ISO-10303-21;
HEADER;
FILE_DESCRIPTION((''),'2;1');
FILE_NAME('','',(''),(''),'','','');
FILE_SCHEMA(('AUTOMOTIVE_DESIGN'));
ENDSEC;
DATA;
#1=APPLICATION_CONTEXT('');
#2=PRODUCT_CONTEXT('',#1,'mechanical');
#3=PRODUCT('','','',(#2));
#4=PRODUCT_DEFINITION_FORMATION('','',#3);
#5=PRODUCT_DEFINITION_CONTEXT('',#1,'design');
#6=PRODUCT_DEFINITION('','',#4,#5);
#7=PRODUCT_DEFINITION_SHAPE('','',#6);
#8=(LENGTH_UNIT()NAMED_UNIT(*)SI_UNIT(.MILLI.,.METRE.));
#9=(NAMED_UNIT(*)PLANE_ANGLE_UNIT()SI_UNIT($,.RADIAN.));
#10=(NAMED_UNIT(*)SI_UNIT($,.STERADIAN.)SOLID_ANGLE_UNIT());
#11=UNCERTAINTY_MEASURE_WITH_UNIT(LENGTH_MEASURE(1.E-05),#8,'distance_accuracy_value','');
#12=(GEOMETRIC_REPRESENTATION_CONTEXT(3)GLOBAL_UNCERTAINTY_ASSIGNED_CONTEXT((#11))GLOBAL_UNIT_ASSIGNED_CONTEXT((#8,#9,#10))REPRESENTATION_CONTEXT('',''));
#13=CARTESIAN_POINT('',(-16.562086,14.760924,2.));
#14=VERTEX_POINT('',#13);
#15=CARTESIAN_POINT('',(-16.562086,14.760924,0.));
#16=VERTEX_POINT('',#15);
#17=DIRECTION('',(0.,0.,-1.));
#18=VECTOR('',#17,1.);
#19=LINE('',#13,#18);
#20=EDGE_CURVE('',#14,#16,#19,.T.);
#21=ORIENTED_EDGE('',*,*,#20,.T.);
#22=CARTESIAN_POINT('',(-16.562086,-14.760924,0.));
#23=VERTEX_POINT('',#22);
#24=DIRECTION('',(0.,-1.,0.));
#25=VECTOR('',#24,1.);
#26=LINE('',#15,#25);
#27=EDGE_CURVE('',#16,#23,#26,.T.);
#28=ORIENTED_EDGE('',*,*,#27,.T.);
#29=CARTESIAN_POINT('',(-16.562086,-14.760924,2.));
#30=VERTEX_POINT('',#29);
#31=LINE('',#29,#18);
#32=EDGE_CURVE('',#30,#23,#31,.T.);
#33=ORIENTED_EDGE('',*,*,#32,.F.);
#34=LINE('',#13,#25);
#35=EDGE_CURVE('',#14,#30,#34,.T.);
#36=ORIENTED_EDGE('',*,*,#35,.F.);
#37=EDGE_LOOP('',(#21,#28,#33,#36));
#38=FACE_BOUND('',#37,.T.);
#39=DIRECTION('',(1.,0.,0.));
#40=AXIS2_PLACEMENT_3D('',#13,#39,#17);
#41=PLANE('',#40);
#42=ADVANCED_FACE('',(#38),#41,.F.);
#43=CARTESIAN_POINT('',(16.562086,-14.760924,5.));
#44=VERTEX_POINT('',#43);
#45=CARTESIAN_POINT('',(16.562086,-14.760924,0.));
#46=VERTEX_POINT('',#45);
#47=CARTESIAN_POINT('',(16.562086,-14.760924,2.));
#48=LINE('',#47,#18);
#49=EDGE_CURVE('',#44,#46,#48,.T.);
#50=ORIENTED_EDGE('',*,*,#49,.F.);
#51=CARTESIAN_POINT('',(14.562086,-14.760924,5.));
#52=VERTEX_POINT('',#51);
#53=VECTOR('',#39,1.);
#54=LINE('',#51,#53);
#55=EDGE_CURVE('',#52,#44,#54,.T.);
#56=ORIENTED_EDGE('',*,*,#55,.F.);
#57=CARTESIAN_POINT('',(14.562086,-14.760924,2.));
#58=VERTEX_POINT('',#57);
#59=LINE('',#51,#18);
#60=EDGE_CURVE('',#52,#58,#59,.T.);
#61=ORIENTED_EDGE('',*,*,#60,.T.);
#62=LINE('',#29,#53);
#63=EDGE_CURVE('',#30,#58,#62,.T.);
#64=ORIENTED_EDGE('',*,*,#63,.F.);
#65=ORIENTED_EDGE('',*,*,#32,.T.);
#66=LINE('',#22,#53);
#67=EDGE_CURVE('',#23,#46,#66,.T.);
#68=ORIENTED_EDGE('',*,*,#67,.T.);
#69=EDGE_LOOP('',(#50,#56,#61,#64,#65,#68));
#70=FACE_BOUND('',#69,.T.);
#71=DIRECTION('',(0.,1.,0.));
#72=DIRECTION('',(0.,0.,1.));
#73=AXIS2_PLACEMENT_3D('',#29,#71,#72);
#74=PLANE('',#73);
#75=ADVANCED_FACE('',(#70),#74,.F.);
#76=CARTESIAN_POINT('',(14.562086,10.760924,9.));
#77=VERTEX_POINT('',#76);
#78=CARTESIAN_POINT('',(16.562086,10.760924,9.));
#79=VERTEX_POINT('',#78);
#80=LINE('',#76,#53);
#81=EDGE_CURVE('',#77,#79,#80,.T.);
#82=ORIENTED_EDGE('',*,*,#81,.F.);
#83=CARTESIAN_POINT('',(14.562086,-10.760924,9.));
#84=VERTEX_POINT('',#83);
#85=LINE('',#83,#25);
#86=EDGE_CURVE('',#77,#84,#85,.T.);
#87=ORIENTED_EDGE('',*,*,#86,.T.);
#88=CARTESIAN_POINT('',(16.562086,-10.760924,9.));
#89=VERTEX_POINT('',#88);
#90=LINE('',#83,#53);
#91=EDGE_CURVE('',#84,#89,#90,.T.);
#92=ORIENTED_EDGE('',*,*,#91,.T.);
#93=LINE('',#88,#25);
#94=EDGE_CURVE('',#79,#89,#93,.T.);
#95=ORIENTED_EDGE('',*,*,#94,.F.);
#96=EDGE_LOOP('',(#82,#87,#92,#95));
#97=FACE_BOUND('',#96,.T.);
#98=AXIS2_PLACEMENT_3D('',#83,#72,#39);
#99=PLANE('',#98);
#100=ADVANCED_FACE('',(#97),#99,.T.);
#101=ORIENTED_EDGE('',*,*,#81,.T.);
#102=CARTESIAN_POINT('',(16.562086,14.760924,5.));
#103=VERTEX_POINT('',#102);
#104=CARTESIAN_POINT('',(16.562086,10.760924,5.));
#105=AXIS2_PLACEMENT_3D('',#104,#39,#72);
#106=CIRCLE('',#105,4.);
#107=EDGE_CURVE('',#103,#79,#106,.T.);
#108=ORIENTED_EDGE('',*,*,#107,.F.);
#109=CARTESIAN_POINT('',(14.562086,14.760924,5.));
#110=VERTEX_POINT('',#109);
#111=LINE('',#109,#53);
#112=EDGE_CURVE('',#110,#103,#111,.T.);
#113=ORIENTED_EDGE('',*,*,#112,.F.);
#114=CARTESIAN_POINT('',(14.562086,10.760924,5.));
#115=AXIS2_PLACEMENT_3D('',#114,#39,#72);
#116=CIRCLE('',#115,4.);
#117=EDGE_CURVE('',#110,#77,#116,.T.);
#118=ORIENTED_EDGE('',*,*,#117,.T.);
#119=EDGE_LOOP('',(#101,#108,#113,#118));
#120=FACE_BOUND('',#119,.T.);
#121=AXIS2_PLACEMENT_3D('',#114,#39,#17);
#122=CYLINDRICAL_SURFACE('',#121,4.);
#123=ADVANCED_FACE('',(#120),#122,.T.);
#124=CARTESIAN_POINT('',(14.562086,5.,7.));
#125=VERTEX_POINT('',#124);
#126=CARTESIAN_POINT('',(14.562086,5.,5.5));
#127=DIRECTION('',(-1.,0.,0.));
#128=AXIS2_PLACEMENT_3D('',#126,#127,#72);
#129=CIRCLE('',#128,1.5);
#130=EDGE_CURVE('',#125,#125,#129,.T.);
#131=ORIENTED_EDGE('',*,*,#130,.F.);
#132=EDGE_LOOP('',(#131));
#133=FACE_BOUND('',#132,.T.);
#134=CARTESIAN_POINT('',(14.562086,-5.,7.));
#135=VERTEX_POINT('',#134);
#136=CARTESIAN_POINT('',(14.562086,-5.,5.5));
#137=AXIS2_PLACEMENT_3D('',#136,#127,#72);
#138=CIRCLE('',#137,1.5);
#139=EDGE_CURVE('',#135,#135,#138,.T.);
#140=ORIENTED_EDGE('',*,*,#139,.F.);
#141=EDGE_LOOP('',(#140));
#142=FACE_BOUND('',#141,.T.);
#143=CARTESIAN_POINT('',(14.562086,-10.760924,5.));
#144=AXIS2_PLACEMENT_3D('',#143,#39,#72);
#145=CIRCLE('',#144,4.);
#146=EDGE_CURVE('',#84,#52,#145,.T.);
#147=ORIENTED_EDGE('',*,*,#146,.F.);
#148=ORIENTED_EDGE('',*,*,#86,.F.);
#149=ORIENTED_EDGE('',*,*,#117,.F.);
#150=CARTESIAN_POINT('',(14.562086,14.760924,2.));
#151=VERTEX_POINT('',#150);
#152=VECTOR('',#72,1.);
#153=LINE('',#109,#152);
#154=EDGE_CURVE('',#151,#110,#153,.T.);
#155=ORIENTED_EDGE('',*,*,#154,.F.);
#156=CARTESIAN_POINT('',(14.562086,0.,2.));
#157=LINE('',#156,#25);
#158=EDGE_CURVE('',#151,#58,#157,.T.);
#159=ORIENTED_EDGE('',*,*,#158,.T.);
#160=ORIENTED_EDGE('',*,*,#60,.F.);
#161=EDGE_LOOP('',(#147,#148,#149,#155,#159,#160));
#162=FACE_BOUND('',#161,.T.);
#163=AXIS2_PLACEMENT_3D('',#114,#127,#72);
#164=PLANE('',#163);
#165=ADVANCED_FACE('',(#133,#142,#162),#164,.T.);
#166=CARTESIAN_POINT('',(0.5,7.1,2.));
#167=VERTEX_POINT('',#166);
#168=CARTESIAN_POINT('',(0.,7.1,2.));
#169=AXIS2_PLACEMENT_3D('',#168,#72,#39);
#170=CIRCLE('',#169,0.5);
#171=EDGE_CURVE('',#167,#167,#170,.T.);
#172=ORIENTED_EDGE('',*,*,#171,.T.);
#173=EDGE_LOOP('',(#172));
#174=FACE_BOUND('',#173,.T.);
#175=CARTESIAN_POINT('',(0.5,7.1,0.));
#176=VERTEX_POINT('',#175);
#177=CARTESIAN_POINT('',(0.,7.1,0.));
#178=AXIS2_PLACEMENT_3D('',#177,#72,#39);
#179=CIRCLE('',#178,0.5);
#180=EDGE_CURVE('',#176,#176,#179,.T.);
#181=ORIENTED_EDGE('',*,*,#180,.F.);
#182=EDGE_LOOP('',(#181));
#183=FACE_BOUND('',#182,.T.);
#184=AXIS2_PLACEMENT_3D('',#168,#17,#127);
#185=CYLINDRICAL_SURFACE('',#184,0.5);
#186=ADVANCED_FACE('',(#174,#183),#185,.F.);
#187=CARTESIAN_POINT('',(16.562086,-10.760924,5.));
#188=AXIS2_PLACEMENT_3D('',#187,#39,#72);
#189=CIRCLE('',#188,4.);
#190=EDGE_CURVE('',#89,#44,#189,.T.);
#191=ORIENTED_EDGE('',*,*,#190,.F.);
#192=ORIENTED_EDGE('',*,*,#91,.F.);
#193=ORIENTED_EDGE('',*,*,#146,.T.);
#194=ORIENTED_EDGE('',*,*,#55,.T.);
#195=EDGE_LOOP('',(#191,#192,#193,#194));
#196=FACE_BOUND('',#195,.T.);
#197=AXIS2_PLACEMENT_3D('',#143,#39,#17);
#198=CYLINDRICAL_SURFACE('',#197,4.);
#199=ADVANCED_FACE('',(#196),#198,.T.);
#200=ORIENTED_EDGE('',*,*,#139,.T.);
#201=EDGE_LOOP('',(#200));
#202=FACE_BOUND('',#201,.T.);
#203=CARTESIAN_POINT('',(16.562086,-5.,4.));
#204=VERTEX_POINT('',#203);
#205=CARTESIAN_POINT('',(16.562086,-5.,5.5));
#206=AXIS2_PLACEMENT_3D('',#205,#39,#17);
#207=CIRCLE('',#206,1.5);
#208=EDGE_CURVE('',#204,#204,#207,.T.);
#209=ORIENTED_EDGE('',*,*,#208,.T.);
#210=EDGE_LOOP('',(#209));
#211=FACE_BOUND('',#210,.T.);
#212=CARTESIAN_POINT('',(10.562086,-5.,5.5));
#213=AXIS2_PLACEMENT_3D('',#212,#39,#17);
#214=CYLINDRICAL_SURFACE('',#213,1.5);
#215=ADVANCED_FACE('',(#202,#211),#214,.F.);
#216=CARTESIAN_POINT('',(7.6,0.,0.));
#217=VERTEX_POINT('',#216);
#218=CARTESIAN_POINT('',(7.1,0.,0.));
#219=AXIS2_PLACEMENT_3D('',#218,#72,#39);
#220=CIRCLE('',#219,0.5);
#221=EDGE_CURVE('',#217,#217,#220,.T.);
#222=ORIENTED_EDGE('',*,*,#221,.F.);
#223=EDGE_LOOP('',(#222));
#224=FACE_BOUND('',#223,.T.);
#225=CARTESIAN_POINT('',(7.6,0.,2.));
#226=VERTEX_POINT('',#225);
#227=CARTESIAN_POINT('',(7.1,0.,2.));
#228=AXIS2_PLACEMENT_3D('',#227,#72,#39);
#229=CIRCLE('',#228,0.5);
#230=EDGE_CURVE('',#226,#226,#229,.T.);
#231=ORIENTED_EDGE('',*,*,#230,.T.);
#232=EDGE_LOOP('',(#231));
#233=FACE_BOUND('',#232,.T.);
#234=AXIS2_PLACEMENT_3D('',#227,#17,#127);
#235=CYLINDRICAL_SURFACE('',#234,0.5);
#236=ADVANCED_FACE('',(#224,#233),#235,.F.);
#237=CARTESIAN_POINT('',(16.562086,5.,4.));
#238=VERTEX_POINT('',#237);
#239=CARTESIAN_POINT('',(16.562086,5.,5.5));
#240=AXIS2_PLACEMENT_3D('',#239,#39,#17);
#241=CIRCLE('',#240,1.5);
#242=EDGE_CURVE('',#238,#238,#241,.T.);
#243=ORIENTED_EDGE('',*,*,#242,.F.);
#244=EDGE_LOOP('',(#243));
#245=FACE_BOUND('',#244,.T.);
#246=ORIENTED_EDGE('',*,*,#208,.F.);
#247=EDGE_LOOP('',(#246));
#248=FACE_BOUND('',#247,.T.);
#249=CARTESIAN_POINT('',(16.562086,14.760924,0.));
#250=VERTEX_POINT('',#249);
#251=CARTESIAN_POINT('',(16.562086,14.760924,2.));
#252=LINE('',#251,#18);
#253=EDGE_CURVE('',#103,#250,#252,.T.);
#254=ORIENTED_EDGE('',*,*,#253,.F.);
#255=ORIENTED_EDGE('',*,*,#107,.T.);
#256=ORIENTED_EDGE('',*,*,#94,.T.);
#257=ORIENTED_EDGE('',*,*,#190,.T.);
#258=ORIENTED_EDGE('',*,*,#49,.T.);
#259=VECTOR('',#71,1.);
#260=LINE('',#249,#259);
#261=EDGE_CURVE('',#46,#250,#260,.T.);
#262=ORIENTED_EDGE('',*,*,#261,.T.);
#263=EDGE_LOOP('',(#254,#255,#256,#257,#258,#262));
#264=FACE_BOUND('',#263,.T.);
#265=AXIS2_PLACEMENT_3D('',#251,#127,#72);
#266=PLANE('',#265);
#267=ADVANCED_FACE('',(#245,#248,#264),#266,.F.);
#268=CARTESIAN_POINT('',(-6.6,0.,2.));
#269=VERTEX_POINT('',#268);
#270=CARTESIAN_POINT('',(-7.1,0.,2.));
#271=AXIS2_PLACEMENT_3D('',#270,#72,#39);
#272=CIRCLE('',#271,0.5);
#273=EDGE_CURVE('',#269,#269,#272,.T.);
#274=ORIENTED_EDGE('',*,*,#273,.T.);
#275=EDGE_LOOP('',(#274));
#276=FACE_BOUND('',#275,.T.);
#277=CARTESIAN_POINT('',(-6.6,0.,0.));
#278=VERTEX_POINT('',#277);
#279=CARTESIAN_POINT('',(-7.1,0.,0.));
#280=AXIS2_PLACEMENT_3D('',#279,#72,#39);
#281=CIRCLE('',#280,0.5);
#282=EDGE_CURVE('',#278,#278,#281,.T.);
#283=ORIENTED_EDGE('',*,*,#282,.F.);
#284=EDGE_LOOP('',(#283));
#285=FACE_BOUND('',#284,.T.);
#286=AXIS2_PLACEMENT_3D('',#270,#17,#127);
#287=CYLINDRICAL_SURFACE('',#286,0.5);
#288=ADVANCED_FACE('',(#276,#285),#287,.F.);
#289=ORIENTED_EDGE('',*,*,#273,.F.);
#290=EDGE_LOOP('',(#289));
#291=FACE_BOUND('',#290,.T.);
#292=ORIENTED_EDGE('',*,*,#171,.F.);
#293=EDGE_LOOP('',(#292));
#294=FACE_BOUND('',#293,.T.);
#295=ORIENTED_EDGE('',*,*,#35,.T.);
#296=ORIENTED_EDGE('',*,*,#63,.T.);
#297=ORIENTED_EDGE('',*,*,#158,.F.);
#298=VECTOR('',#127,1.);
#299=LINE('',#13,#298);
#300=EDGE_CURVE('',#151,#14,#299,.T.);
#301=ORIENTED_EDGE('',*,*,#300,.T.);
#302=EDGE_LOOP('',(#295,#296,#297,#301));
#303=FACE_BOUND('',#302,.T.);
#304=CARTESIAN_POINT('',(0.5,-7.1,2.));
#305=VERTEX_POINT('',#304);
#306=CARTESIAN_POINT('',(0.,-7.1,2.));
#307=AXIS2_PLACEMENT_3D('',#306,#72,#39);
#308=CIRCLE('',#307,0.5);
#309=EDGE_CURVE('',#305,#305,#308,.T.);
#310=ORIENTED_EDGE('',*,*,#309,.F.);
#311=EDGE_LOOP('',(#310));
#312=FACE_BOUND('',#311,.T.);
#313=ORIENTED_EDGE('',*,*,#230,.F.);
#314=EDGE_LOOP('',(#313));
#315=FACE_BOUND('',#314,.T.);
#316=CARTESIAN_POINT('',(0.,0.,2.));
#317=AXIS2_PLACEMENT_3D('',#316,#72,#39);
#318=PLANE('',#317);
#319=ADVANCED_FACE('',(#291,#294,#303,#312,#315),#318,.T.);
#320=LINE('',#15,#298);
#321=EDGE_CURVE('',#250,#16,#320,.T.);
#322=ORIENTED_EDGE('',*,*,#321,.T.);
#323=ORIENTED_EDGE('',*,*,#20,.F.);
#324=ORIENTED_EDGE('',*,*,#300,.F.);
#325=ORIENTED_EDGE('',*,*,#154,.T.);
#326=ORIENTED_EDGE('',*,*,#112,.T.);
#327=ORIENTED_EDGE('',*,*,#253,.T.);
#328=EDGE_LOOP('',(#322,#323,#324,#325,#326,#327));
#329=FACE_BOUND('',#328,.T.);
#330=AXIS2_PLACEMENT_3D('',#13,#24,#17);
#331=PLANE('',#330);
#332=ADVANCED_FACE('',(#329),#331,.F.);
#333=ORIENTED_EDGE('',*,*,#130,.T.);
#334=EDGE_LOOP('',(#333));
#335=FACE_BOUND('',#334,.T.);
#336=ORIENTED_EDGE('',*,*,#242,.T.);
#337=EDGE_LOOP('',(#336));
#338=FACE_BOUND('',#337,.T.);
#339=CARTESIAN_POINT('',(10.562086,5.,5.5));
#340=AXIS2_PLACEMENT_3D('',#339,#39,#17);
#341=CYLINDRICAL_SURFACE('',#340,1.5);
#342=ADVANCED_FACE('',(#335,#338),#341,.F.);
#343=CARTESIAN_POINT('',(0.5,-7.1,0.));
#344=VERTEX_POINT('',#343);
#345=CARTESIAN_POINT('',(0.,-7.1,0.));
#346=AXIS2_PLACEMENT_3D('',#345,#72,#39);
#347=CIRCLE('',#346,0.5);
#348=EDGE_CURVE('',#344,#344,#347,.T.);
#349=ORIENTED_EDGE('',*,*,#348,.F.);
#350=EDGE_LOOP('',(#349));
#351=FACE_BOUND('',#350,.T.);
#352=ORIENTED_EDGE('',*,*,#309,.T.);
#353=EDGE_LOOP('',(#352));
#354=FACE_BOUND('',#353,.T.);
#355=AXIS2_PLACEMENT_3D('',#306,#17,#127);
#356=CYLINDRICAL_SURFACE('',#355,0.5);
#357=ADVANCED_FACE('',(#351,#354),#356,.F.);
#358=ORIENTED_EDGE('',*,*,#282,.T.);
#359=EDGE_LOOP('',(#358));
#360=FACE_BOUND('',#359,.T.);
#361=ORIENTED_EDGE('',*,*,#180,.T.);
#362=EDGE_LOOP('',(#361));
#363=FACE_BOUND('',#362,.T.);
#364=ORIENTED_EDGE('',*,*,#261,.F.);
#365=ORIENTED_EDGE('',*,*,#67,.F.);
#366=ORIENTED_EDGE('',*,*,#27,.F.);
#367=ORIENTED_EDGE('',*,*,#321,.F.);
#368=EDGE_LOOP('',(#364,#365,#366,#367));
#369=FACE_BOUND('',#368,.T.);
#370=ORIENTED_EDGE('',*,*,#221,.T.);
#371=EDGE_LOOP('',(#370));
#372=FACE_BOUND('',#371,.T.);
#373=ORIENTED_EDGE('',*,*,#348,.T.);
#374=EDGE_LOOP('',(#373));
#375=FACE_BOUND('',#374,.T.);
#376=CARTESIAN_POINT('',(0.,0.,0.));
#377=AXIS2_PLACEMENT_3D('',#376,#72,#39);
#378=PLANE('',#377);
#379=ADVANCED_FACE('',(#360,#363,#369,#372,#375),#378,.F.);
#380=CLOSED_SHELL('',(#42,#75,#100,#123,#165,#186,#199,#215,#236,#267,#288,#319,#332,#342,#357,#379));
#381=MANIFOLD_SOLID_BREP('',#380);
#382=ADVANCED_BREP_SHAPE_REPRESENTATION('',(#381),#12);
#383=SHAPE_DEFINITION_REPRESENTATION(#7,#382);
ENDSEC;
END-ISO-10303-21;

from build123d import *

# Parameters (mm, degrees)
SKETCH_1_W          = 33.124171168
SKETCH_1_H          = 29.521848668
SKETCH_1_R          = 0.5
EXTRUDE_1_DEPTH     = 2
EXTRUDE_2_DEPTH     = 2
CUT_EXTRUDE_1_DEPTH = 6


with BuildPart() as part:
    # 草图1 → 凸台-拉伸1 (new body)
    with BuildSketch(Plane.XY):
        Rectangle(SKETCH_1_W, SKETCH_1_H)
        with Locations((0, 7.1)):
            Circle(SKETCH_1_R, mode=Mode.SUBTRACT)
        with Locations((7.1, 0)):
            Circle(SKETCH_1_R, mode=Mode.SUBTRACT)
        with Locations((0, -7.1)):
            Circle(SKETCH_1_R, mode=Mode.SUBTRACT)
        with Locations((-7.1, 0)):
            Circle(SKETCH_1_R, mode=Mode.SUBTRACT)
    extrude(amount=EXTRUDE_1_DEPTH)

    # 草图2 → 凸台-拉伸2 (add)
    with BuildSketch(Plane(origin=(16.562085584, 0, 0), x_dir=(0, 0, -1), z_dir=(1, 0, 0))):
        with BuildLine():
            Line((-5, -14.760924334), (0, -14.760924334))
            Line((0, -14.760924334), (0, 14.760924334))
            Line((0, 14.760924334), (-5, 14.760924334))
            ThreePointArc((-5, 14.760924334), (-7.828427125, 13.589351458), (-9, 10.760924334))
            Line((-9, 10.760924334), (-9, -10.760924334))
            ThreePointArc((-9, -10.760924334), (-7.828427125, -13.589351458), (-5, -14.760924334))
        make_face()
    extrude(amount=-EXTRUDE_2_DEPTH)

    # 草图3 → 切除-拉伸1 (cut)
    with BuildSketch(Plane(origin=(16.562085584, 0, 0), x_dir=(0, 0, -1), z_dir=(1, 0, 0))):
        with BuildLine():
            ThreePointArc((-7, -5), (-5.5, -6.5), (-4, -5))
            ThreePointArc((-4, -5), (-5.5, -3.5), (-7, -5))
        make_face()
        with BuildLine():
            ThreePointArc((-7, 5), (-5.5, 3.5), (-4, 5))
            ThreePointArc((-4, 5), (-5.5, 6.5), (-7, 5))
        make_face()
    extrude(amount=-CUT_EXTRUDE_1_DEPTH, mode=Mode.SUBTRACT)


solid = part.part
